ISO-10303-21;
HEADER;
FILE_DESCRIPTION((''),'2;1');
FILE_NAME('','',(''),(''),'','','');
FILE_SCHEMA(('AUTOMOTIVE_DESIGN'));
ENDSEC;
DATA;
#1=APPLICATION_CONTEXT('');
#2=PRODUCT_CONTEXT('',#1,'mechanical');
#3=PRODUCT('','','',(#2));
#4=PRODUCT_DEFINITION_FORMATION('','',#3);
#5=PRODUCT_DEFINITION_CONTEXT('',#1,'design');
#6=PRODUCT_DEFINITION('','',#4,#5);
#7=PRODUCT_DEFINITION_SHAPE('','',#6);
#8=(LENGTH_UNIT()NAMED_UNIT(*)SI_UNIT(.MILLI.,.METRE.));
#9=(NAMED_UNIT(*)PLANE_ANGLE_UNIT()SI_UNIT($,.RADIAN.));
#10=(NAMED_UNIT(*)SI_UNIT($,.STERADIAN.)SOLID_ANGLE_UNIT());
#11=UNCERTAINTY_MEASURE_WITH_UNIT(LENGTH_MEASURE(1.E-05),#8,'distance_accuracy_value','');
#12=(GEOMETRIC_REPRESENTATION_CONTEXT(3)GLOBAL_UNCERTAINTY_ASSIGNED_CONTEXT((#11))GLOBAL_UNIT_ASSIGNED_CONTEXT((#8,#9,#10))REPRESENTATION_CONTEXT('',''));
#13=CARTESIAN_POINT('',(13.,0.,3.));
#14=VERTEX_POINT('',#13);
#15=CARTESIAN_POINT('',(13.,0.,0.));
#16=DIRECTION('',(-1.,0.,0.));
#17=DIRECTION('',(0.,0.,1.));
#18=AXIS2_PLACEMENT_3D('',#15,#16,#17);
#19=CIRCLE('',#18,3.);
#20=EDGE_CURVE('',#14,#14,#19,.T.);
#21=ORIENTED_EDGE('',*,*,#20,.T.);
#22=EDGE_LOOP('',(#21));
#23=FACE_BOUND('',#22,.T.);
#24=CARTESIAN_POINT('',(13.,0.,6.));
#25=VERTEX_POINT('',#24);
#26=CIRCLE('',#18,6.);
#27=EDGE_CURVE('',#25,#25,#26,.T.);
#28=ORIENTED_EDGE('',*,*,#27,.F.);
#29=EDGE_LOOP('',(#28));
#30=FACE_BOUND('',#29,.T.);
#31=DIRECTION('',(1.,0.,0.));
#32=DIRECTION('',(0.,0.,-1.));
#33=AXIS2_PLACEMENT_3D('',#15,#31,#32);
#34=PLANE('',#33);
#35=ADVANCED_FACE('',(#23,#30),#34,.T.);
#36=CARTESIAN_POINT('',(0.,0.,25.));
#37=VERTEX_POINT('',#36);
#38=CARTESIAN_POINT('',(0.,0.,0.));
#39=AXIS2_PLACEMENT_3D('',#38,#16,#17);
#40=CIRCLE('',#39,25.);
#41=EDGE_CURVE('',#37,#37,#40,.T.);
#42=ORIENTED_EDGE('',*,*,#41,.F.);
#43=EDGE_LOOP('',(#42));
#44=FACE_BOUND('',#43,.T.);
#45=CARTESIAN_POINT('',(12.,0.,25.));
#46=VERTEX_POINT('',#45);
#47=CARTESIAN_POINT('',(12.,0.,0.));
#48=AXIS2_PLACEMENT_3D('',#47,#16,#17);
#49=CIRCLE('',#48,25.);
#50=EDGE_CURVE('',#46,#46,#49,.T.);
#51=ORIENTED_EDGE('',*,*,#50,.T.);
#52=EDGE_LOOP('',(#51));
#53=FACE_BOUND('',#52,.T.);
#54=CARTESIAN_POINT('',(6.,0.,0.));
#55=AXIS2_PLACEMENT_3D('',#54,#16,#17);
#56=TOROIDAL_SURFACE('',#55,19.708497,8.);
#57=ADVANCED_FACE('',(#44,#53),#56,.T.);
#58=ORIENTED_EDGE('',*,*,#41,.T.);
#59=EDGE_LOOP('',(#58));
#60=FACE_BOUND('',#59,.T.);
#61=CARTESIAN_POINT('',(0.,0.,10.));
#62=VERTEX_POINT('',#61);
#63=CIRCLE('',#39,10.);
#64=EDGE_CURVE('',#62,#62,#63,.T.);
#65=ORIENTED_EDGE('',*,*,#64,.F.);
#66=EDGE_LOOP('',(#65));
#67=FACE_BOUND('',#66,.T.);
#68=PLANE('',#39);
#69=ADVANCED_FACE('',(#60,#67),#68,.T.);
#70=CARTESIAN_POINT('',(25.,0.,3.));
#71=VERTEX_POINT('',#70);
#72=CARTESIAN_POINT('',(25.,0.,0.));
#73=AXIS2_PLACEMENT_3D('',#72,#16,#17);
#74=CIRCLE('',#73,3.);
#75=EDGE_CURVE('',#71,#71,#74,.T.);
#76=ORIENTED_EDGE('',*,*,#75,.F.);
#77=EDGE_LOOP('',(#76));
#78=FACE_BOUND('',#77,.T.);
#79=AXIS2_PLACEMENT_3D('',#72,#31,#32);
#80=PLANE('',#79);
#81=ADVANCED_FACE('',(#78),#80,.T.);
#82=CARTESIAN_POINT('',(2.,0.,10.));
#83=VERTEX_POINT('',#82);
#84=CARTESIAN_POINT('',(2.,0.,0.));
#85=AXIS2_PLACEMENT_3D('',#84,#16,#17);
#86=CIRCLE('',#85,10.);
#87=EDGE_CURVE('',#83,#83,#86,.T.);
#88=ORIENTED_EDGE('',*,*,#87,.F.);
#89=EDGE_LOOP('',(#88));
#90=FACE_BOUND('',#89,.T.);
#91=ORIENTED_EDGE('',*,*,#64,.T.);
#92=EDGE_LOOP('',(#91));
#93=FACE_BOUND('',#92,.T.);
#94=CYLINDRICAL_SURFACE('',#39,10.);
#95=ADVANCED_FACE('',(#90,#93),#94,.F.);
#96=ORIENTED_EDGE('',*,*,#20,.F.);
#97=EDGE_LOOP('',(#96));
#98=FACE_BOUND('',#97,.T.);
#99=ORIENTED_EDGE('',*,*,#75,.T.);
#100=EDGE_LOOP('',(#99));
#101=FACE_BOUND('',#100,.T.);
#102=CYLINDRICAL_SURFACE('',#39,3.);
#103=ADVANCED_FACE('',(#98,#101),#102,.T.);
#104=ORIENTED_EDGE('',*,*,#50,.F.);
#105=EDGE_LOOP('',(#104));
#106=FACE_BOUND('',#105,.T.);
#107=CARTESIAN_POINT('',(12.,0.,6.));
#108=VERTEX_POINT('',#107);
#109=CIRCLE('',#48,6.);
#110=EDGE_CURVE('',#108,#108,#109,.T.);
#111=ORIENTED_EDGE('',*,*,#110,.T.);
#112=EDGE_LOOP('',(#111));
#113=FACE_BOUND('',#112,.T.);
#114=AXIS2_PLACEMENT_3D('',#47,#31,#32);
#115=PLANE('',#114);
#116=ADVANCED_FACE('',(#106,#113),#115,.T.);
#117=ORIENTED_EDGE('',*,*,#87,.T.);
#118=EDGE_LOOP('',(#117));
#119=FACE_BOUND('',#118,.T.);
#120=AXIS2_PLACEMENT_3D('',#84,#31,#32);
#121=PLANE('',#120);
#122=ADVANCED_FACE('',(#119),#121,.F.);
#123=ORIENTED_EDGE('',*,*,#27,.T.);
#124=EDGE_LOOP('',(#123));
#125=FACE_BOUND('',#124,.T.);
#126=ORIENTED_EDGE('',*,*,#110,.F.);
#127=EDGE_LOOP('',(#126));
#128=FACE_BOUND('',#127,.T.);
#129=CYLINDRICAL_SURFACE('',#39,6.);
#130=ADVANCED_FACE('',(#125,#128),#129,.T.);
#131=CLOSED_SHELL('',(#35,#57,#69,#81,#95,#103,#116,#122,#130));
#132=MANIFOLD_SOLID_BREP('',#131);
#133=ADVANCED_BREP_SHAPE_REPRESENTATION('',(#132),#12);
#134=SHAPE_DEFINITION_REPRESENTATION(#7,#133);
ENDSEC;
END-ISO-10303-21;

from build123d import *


with BuildPart() as part:
    # 草图1 → 旋转1 (revolve)
    with BuildSketch(Plane(origin=(0, 0, 0), x_dir=(1, 0, 0), z_dir=(0, 1, 0)), mode=Mode.PRIVATE) as revolve_1_sk:
        with BuildLine():
            Line((0, 25), (0, 10))
            Line((0, 10), (2, 10))
            Line((2, 10), (2, 0))
            Line((2, 0), (25, 0))
            Line((25, 0), (25, 3))
            Line((25, 3), (13, 3))
            Line((13, 3), (13, 6))
            Line((13, 6), (12, 6))
            Line((12, 6), (12, 25))
            ThreePointArc((12, 25), (6, 27.708497378), (0, 25))
        make_face()
    revolve(revolve_1_sk.sketch.rotate(Axis((0, 0, 0), (1, 0, 0)), 180), axis=Axis((0, 0, 0), (1, 0, 0)))


solid = part.part
